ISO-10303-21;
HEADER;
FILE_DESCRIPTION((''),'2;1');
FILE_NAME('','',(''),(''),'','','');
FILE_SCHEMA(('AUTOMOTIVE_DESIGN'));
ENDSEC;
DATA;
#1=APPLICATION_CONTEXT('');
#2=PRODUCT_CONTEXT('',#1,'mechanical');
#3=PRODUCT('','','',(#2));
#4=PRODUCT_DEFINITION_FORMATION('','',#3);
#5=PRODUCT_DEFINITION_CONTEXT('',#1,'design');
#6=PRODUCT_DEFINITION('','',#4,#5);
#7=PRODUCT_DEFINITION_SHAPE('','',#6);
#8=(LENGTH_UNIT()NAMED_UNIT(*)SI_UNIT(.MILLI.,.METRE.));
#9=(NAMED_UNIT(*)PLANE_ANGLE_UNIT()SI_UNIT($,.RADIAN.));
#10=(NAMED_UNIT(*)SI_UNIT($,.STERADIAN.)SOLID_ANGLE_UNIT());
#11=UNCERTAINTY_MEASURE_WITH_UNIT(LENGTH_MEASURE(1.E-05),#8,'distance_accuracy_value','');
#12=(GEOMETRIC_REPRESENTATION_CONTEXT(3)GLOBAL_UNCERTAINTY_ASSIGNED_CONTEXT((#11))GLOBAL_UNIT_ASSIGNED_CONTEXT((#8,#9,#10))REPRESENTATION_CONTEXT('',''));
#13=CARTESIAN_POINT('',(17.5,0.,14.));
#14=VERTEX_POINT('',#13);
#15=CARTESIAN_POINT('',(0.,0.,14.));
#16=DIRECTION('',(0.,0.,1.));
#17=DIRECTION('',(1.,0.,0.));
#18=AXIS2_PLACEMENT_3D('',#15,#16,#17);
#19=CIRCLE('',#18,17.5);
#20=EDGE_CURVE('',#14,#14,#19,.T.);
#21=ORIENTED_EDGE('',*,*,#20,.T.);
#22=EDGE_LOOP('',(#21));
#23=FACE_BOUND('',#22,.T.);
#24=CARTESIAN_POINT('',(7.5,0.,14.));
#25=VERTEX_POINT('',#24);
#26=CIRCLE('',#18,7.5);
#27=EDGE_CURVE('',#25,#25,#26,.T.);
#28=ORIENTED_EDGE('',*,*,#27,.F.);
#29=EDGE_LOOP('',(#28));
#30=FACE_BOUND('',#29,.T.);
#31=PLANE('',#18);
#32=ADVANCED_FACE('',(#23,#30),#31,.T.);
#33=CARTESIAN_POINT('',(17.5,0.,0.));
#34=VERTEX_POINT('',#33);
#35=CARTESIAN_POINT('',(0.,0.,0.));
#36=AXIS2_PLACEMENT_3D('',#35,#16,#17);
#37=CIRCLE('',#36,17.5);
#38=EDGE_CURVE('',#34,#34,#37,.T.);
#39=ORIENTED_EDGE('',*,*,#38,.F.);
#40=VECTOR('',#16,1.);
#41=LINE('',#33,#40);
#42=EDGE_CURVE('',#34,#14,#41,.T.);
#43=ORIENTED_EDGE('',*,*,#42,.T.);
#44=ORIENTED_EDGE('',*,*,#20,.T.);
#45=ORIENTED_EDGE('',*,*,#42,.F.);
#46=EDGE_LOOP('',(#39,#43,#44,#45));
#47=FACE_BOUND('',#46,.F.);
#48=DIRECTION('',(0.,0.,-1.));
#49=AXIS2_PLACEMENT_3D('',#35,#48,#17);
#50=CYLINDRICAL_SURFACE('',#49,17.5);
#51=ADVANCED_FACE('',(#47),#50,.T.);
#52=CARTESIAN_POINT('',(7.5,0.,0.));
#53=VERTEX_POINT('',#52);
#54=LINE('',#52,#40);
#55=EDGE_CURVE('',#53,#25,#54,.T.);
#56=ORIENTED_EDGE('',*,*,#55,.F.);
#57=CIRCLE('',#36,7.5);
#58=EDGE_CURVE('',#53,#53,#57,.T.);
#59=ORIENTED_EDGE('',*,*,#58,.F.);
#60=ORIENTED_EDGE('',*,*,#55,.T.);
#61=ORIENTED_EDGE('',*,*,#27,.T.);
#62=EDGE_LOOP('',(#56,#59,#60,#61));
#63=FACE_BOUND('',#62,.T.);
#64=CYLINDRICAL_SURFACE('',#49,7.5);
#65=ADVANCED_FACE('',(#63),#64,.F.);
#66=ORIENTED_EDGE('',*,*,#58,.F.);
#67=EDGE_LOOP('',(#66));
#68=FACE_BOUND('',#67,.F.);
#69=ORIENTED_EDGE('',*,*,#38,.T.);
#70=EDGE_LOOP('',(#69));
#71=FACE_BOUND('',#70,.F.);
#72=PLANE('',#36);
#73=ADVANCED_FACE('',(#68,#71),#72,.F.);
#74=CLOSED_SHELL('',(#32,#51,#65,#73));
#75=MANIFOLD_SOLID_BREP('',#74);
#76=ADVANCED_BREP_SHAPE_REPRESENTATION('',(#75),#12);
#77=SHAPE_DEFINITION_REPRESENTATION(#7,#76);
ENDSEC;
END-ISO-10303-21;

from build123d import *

# Parameters (mm, degrees)
CROQUIS1_R              = 17.5
CROQUIS1_R_2            = 7.5
SALIENTE_EXTRUIR1_DEPTH = 14


with BuildPart() as part:
    # Croquis1 → Saliente-Extruir1 (new body)
    with BuildSketch(Plane.XY):
        Circle(CROQUIS1_R)
        Circle(CROQUIS1_R_2, mode=Mode.SUBTRACT)
    extrude(amount=SALIENTE_EXTRUIR1_DEPTH)


solid = part.part
